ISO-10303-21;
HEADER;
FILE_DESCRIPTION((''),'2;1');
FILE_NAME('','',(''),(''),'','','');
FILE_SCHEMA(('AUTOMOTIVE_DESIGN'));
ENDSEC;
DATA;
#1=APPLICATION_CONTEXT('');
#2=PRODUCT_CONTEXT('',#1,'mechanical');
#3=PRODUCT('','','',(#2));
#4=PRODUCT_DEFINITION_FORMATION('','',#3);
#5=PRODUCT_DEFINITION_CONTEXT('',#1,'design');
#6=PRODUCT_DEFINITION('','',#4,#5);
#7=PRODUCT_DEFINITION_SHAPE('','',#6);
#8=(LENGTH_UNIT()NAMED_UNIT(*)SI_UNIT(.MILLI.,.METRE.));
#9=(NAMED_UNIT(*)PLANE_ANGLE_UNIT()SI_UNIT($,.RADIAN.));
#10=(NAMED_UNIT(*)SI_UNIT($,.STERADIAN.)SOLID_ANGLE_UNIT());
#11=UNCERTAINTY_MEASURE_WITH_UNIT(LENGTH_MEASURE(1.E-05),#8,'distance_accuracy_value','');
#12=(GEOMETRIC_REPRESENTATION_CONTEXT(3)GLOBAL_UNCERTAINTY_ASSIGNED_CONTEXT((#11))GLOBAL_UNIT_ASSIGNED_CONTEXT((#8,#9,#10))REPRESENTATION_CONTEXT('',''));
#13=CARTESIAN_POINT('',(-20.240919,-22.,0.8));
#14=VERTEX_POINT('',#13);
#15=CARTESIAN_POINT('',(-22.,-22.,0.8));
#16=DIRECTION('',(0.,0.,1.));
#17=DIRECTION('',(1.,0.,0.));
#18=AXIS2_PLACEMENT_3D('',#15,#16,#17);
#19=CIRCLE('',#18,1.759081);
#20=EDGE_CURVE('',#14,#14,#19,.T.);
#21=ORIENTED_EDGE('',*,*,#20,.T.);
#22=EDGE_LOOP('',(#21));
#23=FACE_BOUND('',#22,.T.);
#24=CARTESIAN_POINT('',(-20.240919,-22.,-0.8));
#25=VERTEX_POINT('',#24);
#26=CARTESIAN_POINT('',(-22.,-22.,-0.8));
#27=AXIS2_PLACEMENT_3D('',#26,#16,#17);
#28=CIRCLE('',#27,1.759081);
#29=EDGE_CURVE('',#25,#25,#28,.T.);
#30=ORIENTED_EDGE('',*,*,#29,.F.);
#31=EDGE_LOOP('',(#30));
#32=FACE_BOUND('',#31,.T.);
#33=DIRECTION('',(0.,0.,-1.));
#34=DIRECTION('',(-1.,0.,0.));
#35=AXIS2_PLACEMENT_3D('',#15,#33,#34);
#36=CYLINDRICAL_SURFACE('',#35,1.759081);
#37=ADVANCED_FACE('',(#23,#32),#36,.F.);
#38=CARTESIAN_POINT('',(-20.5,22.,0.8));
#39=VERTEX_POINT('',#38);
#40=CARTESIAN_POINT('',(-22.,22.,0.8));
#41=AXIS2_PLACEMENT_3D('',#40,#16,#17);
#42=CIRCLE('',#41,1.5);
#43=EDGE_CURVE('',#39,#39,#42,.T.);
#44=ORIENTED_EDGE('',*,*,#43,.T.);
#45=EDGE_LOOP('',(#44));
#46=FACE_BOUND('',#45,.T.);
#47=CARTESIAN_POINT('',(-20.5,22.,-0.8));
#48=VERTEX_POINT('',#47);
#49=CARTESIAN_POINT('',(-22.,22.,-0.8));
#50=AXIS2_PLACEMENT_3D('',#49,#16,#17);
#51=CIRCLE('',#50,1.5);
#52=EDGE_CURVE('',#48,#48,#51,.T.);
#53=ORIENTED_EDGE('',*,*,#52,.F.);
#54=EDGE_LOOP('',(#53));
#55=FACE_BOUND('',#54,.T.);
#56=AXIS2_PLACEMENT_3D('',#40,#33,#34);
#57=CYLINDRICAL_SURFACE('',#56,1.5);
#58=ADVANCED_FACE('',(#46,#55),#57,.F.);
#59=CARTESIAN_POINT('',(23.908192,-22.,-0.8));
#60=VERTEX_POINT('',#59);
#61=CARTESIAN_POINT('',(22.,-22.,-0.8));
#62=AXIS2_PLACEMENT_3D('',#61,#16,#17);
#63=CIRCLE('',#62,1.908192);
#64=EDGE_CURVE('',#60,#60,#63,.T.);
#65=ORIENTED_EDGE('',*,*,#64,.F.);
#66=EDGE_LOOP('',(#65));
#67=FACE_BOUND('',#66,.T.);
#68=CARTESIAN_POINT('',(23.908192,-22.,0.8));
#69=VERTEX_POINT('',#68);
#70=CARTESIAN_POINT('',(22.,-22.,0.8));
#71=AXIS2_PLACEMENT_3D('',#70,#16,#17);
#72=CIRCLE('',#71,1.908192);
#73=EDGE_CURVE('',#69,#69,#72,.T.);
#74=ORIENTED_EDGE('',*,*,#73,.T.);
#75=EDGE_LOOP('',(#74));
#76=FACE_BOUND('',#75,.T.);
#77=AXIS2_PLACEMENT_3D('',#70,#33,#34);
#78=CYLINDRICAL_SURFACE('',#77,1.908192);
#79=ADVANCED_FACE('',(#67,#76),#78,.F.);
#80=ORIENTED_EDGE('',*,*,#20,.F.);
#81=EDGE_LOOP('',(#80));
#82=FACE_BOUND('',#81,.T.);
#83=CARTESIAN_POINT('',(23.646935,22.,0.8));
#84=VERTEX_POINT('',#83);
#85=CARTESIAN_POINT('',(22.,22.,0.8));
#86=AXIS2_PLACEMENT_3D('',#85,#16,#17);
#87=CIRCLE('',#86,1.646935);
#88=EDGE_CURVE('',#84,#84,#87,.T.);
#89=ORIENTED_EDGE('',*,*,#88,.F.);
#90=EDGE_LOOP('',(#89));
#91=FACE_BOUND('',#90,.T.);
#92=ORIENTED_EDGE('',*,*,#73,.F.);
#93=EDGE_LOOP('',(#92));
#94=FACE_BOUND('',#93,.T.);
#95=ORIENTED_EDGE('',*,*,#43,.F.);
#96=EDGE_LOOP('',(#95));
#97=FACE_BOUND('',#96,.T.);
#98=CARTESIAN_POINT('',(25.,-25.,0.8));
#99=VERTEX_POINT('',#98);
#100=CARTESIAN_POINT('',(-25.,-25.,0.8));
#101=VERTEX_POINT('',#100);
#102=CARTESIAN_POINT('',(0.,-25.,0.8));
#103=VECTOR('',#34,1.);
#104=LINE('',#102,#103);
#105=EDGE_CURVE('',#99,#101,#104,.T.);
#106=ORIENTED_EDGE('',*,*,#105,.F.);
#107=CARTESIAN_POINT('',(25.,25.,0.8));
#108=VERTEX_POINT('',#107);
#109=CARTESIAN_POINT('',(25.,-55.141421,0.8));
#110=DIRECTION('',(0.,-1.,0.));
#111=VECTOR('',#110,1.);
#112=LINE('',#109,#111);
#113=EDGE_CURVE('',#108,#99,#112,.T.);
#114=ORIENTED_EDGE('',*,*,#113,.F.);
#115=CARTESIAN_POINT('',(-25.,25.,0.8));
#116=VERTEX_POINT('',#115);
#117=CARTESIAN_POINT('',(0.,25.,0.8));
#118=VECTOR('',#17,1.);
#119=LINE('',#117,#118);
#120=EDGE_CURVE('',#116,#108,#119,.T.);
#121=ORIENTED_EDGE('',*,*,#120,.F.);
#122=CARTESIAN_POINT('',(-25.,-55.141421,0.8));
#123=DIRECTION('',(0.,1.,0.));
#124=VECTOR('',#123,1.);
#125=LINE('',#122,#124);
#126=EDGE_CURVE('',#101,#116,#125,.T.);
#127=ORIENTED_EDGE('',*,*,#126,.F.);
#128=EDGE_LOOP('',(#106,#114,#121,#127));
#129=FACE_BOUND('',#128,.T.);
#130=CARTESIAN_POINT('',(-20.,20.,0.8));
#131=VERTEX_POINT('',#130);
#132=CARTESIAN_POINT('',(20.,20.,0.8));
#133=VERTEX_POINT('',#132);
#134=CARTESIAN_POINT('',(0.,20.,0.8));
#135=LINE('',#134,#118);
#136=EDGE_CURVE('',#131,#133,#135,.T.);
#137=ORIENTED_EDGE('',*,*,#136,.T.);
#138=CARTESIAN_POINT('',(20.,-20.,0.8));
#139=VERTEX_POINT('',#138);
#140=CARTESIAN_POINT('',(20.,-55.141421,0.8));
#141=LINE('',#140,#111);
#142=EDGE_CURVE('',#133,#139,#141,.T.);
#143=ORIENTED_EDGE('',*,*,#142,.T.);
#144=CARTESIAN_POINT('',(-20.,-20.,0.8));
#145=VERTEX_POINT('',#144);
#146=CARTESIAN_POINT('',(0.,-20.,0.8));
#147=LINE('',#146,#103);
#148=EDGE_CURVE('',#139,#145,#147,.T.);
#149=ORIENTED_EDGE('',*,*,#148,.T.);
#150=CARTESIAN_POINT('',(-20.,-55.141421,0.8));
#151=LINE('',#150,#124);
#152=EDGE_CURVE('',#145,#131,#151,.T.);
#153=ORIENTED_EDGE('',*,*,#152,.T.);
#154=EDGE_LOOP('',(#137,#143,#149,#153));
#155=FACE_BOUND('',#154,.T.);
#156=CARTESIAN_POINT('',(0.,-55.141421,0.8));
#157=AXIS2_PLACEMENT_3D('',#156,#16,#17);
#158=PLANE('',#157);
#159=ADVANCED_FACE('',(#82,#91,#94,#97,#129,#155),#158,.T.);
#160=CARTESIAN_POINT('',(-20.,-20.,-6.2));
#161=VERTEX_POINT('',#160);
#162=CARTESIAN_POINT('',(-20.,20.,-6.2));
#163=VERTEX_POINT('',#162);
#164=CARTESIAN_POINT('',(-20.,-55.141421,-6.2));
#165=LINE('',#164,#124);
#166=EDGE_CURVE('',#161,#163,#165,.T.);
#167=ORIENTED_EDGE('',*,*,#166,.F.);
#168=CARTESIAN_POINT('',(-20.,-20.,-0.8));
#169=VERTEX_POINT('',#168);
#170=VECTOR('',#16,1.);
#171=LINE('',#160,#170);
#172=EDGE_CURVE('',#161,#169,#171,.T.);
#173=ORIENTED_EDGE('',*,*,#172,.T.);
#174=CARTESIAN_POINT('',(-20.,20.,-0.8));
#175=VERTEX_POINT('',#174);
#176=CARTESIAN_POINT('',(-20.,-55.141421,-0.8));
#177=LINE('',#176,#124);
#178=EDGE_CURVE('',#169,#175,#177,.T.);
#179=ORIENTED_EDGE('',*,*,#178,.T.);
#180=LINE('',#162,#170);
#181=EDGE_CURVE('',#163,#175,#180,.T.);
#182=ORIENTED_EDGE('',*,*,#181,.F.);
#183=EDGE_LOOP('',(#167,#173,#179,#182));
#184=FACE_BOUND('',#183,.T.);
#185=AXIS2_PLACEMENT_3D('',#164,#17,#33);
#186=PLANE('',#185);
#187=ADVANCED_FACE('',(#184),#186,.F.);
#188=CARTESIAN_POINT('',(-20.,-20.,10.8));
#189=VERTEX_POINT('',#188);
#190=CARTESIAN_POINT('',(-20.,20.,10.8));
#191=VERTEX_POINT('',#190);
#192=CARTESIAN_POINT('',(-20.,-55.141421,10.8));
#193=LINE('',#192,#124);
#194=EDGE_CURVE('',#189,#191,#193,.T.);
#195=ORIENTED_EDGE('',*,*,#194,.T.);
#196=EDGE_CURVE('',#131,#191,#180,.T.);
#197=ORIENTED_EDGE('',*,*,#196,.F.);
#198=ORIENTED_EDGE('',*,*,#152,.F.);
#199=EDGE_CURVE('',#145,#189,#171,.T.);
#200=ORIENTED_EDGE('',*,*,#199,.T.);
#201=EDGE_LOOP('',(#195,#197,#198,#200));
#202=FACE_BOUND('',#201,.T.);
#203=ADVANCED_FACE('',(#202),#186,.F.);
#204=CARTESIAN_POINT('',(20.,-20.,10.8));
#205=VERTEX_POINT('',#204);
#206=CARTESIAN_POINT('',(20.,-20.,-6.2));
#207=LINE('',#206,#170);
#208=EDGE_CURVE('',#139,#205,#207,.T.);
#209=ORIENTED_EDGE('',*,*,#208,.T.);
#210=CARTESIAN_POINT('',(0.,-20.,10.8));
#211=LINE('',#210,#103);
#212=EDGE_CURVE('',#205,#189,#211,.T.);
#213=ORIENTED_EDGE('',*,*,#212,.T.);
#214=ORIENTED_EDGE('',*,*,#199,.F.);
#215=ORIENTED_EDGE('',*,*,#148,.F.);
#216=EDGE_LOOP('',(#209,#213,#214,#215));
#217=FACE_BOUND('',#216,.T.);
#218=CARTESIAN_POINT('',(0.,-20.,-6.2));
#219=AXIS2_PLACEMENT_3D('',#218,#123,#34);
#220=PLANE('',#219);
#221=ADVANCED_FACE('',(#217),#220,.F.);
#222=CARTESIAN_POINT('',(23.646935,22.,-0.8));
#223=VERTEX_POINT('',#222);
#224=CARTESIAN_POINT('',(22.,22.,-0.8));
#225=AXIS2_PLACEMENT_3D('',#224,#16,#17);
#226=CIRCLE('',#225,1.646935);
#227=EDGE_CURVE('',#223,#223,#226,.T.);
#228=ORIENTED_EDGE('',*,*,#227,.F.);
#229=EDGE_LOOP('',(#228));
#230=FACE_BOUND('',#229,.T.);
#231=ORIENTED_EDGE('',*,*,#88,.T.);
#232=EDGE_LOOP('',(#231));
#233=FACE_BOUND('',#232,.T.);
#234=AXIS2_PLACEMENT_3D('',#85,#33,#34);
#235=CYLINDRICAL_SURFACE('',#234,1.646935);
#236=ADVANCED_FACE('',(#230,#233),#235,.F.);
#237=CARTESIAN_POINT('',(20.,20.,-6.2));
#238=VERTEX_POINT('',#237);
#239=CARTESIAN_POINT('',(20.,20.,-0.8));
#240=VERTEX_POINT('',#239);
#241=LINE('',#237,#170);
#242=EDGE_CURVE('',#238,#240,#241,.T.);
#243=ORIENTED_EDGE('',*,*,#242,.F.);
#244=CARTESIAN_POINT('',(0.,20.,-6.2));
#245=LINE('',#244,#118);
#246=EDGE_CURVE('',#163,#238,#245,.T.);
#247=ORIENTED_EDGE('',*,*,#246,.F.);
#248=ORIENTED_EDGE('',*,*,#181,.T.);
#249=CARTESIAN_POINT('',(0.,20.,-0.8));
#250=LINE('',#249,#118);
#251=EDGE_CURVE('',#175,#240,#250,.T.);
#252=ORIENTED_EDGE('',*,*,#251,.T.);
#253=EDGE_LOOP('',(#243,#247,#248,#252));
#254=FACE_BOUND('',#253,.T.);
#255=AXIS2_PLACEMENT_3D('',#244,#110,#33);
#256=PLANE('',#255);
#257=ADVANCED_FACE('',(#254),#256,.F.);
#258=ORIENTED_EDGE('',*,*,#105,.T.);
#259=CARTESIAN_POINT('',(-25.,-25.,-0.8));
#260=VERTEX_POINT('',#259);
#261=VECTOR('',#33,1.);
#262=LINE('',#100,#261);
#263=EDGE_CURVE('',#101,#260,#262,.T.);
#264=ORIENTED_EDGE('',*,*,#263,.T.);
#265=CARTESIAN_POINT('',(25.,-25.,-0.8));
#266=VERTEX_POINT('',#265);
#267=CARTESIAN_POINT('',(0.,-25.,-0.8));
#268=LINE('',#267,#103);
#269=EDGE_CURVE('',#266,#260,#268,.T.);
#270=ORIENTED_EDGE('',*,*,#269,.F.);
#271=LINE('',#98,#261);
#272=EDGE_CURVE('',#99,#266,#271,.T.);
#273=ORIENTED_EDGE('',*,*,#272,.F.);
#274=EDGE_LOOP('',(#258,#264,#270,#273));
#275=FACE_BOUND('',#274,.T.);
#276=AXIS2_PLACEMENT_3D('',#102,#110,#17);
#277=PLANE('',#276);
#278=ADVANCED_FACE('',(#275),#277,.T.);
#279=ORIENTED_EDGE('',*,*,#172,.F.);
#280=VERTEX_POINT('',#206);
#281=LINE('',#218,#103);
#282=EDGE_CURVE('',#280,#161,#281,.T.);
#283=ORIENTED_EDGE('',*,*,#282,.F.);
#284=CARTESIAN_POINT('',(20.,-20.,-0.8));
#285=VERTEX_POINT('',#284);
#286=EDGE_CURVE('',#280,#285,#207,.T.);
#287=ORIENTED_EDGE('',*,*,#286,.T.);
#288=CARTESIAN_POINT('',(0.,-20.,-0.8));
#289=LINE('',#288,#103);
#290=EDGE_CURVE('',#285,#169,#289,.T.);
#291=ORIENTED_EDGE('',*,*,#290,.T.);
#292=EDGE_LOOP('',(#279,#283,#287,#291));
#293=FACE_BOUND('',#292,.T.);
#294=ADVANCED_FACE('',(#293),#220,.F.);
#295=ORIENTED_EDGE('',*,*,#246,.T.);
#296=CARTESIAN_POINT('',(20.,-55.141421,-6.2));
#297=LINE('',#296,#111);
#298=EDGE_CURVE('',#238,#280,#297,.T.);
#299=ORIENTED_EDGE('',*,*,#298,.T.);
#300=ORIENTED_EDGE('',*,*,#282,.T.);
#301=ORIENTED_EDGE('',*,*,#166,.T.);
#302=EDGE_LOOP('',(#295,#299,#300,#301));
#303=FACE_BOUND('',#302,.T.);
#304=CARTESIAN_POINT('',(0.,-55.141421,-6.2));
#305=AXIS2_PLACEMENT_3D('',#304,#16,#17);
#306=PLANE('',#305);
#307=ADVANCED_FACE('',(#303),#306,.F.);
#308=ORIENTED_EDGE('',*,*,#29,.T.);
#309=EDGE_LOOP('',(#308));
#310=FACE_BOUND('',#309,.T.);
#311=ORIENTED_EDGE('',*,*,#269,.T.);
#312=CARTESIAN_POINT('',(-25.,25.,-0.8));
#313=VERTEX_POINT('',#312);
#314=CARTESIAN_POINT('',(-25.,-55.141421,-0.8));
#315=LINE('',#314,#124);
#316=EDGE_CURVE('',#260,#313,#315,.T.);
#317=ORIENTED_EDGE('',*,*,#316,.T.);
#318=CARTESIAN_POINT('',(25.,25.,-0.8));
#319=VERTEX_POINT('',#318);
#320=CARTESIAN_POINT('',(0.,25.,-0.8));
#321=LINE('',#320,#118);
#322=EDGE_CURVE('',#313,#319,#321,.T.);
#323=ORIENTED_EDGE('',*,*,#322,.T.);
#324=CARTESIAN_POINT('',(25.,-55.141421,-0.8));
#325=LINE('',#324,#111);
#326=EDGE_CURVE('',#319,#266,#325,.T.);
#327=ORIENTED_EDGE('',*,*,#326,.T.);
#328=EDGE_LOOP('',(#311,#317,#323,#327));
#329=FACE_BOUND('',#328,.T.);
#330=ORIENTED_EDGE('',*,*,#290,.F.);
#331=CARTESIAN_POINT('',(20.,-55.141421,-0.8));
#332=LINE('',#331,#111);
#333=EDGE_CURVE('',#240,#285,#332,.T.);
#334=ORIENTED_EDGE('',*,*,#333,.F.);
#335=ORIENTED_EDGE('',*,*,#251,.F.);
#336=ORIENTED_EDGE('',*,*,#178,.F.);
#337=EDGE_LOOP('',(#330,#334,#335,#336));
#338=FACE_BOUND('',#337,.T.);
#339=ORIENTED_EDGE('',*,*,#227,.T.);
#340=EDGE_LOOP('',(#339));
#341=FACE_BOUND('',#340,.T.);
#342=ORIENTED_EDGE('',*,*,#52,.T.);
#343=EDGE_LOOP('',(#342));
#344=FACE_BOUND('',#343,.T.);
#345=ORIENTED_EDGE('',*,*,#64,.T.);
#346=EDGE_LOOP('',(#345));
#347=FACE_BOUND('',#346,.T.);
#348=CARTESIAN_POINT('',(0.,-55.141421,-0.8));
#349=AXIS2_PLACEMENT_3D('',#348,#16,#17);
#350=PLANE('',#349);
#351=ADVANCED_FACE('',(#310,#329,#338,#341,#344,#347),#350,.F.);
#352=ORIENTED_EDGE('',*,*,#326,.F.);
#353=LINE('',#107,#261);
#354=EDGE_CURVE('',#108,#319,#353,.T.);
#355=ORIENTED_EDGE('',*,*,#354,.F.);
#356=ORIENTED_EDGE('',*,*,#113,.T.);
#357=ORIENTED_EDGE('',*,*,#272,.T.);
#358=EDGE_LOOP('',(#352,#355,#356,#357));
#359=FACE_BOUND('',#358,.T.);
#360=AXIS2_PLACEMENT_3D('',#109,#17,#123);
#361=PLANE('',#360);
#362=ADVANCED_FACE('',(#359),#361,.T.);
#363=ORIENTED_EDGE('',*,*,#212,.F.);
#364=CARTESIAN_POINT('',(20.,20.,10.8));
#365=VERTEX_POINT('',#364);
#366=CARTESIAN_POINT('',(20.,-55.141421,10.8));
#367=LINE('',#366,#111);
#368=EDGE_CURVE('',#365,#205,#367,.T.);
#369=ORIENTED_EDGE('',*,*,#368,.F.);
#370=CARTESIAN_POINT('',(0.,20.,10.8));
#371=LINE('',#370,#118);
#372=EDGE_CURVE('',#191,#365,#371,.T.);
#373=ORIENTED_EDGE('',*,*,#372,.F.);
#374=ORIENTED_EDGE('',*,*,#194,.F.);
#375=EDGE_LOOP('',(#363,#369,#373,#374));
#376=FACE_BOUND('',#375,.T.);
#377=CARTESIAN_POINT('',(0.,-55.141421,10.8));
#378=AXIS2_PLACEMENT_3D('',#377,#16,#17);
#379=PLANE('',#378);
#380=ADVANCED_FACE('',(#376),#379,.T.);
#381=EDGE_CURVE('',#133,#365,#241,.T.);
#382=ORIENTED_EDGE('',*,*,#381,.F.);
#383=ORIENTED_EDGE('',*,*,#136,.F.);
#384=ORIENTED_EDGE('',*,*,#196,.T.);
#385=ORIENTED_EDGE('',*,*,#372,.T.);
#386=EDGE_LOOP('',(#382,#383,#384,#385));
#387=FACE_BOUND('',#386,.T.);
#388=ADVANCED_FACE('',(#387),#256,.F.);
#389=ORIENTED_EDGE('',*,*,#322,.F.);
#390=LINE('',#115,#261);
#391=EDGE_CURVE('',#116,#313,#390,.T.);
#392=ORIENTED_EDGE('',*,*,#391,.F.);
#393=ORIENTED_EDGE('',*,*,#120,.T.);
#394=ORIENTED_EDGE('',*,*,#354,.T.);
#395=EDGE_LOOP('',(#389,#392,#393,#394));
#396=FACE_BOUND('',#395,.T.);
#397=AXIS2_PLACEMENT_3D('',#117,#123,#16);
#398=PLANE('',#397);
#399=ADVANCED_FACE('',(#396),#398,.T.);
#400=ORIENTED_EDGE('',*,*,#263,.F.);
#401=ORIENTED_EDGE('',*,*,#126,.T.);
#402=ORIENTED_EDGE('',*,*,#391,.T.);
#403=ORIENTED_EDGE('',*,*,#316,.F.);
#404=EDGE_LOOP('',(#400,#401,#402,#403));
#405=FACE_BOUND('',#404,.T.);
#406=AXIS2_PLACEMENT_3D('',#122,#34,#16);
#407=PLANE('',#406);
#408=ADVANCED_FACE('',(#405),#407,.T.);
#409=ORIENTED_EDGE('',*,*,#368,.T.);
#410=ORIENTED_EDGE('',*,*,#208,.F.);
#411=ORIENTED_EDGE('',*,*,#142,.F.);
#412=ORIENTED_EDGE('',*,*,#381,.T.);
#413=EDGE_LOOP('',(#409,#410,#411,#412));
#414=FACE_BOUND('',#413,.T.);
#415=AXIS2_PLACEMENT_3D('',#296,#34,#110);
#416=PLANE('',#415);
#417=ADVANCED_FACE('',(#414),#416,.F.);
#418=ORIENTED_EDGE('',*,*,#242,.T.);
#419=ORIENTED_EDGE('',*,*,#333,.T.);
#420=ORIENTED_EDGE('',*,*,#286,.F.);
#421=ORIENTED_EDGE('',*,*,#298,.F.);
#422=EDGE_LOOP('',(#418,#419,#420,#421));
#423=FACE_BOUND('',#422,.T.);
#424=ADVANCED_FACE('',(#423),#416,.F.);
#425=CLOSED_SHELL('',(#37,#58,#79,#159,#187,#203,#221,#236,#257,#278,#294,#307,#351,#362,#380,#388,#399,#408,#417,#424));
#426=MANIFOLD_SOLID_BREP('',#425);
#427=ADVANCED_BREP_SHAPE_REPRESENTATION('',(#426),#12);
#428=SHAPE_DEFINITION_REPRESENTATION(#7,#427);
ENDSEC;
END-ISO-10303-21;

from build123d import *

# Parameters (mm, degrees)
SKETCH1_W           = 50
SKETCH1_H           = 50
SKETCH1_R           = 1.5
SKETCH1_R_2         = 1.646935024
SKETCH1_R_3         = 1.908192471
SKETCH1_R_4         = 1.759080553
EXTRUDE2_DEPTH      = 0.8
EXTRUDE3_DEPTH      = 10
EXTRUDE3_DEPTH_BACK = 7


with BuildPart() as part:
    # Sketch1 → Extrude2 (new, symmetric)
    with BuildSketch(Plane.XY):
        Rectangle(SKETCH1_W, SKETCH1_H)
        with Locations((-22, 22)):
            Circle(SKETCH1_R, mode=Mode.SUBTRACT)
        with Locations((22, 22)):
            Circle(SKETCH1_R_2, mode=Mode.SUBTRACT)
        with Locations((22, -22)):
            Circle(SKETCH1_R_3, mode=Mode.SUBTRACT)
        with Locations((-22, -22)):
            Circle(SKETCH1_R_4, mode=Mode.SUBTRACT)
    extrude(amount=EXTRUDE2_DEPTH, both=True)

    # Sketch2 → Extrude3 (add, two sides: drawn at the far end of the back side and taken through both)
    with BuildSketch(Plane.XY.offset(0.8).offset(-EXTRUDE3_DEPTH_BACK)):
        Polygon((-20, 20), (20, -20), (-20, -20), align=None)
        Polygon((-20, 20), (20, 20), (20, -20), align=None)
    extrude(amount=EXTRUDE3_DEPTH + EXTRUDE3_DEPTH_BACK)


solid = part.part
